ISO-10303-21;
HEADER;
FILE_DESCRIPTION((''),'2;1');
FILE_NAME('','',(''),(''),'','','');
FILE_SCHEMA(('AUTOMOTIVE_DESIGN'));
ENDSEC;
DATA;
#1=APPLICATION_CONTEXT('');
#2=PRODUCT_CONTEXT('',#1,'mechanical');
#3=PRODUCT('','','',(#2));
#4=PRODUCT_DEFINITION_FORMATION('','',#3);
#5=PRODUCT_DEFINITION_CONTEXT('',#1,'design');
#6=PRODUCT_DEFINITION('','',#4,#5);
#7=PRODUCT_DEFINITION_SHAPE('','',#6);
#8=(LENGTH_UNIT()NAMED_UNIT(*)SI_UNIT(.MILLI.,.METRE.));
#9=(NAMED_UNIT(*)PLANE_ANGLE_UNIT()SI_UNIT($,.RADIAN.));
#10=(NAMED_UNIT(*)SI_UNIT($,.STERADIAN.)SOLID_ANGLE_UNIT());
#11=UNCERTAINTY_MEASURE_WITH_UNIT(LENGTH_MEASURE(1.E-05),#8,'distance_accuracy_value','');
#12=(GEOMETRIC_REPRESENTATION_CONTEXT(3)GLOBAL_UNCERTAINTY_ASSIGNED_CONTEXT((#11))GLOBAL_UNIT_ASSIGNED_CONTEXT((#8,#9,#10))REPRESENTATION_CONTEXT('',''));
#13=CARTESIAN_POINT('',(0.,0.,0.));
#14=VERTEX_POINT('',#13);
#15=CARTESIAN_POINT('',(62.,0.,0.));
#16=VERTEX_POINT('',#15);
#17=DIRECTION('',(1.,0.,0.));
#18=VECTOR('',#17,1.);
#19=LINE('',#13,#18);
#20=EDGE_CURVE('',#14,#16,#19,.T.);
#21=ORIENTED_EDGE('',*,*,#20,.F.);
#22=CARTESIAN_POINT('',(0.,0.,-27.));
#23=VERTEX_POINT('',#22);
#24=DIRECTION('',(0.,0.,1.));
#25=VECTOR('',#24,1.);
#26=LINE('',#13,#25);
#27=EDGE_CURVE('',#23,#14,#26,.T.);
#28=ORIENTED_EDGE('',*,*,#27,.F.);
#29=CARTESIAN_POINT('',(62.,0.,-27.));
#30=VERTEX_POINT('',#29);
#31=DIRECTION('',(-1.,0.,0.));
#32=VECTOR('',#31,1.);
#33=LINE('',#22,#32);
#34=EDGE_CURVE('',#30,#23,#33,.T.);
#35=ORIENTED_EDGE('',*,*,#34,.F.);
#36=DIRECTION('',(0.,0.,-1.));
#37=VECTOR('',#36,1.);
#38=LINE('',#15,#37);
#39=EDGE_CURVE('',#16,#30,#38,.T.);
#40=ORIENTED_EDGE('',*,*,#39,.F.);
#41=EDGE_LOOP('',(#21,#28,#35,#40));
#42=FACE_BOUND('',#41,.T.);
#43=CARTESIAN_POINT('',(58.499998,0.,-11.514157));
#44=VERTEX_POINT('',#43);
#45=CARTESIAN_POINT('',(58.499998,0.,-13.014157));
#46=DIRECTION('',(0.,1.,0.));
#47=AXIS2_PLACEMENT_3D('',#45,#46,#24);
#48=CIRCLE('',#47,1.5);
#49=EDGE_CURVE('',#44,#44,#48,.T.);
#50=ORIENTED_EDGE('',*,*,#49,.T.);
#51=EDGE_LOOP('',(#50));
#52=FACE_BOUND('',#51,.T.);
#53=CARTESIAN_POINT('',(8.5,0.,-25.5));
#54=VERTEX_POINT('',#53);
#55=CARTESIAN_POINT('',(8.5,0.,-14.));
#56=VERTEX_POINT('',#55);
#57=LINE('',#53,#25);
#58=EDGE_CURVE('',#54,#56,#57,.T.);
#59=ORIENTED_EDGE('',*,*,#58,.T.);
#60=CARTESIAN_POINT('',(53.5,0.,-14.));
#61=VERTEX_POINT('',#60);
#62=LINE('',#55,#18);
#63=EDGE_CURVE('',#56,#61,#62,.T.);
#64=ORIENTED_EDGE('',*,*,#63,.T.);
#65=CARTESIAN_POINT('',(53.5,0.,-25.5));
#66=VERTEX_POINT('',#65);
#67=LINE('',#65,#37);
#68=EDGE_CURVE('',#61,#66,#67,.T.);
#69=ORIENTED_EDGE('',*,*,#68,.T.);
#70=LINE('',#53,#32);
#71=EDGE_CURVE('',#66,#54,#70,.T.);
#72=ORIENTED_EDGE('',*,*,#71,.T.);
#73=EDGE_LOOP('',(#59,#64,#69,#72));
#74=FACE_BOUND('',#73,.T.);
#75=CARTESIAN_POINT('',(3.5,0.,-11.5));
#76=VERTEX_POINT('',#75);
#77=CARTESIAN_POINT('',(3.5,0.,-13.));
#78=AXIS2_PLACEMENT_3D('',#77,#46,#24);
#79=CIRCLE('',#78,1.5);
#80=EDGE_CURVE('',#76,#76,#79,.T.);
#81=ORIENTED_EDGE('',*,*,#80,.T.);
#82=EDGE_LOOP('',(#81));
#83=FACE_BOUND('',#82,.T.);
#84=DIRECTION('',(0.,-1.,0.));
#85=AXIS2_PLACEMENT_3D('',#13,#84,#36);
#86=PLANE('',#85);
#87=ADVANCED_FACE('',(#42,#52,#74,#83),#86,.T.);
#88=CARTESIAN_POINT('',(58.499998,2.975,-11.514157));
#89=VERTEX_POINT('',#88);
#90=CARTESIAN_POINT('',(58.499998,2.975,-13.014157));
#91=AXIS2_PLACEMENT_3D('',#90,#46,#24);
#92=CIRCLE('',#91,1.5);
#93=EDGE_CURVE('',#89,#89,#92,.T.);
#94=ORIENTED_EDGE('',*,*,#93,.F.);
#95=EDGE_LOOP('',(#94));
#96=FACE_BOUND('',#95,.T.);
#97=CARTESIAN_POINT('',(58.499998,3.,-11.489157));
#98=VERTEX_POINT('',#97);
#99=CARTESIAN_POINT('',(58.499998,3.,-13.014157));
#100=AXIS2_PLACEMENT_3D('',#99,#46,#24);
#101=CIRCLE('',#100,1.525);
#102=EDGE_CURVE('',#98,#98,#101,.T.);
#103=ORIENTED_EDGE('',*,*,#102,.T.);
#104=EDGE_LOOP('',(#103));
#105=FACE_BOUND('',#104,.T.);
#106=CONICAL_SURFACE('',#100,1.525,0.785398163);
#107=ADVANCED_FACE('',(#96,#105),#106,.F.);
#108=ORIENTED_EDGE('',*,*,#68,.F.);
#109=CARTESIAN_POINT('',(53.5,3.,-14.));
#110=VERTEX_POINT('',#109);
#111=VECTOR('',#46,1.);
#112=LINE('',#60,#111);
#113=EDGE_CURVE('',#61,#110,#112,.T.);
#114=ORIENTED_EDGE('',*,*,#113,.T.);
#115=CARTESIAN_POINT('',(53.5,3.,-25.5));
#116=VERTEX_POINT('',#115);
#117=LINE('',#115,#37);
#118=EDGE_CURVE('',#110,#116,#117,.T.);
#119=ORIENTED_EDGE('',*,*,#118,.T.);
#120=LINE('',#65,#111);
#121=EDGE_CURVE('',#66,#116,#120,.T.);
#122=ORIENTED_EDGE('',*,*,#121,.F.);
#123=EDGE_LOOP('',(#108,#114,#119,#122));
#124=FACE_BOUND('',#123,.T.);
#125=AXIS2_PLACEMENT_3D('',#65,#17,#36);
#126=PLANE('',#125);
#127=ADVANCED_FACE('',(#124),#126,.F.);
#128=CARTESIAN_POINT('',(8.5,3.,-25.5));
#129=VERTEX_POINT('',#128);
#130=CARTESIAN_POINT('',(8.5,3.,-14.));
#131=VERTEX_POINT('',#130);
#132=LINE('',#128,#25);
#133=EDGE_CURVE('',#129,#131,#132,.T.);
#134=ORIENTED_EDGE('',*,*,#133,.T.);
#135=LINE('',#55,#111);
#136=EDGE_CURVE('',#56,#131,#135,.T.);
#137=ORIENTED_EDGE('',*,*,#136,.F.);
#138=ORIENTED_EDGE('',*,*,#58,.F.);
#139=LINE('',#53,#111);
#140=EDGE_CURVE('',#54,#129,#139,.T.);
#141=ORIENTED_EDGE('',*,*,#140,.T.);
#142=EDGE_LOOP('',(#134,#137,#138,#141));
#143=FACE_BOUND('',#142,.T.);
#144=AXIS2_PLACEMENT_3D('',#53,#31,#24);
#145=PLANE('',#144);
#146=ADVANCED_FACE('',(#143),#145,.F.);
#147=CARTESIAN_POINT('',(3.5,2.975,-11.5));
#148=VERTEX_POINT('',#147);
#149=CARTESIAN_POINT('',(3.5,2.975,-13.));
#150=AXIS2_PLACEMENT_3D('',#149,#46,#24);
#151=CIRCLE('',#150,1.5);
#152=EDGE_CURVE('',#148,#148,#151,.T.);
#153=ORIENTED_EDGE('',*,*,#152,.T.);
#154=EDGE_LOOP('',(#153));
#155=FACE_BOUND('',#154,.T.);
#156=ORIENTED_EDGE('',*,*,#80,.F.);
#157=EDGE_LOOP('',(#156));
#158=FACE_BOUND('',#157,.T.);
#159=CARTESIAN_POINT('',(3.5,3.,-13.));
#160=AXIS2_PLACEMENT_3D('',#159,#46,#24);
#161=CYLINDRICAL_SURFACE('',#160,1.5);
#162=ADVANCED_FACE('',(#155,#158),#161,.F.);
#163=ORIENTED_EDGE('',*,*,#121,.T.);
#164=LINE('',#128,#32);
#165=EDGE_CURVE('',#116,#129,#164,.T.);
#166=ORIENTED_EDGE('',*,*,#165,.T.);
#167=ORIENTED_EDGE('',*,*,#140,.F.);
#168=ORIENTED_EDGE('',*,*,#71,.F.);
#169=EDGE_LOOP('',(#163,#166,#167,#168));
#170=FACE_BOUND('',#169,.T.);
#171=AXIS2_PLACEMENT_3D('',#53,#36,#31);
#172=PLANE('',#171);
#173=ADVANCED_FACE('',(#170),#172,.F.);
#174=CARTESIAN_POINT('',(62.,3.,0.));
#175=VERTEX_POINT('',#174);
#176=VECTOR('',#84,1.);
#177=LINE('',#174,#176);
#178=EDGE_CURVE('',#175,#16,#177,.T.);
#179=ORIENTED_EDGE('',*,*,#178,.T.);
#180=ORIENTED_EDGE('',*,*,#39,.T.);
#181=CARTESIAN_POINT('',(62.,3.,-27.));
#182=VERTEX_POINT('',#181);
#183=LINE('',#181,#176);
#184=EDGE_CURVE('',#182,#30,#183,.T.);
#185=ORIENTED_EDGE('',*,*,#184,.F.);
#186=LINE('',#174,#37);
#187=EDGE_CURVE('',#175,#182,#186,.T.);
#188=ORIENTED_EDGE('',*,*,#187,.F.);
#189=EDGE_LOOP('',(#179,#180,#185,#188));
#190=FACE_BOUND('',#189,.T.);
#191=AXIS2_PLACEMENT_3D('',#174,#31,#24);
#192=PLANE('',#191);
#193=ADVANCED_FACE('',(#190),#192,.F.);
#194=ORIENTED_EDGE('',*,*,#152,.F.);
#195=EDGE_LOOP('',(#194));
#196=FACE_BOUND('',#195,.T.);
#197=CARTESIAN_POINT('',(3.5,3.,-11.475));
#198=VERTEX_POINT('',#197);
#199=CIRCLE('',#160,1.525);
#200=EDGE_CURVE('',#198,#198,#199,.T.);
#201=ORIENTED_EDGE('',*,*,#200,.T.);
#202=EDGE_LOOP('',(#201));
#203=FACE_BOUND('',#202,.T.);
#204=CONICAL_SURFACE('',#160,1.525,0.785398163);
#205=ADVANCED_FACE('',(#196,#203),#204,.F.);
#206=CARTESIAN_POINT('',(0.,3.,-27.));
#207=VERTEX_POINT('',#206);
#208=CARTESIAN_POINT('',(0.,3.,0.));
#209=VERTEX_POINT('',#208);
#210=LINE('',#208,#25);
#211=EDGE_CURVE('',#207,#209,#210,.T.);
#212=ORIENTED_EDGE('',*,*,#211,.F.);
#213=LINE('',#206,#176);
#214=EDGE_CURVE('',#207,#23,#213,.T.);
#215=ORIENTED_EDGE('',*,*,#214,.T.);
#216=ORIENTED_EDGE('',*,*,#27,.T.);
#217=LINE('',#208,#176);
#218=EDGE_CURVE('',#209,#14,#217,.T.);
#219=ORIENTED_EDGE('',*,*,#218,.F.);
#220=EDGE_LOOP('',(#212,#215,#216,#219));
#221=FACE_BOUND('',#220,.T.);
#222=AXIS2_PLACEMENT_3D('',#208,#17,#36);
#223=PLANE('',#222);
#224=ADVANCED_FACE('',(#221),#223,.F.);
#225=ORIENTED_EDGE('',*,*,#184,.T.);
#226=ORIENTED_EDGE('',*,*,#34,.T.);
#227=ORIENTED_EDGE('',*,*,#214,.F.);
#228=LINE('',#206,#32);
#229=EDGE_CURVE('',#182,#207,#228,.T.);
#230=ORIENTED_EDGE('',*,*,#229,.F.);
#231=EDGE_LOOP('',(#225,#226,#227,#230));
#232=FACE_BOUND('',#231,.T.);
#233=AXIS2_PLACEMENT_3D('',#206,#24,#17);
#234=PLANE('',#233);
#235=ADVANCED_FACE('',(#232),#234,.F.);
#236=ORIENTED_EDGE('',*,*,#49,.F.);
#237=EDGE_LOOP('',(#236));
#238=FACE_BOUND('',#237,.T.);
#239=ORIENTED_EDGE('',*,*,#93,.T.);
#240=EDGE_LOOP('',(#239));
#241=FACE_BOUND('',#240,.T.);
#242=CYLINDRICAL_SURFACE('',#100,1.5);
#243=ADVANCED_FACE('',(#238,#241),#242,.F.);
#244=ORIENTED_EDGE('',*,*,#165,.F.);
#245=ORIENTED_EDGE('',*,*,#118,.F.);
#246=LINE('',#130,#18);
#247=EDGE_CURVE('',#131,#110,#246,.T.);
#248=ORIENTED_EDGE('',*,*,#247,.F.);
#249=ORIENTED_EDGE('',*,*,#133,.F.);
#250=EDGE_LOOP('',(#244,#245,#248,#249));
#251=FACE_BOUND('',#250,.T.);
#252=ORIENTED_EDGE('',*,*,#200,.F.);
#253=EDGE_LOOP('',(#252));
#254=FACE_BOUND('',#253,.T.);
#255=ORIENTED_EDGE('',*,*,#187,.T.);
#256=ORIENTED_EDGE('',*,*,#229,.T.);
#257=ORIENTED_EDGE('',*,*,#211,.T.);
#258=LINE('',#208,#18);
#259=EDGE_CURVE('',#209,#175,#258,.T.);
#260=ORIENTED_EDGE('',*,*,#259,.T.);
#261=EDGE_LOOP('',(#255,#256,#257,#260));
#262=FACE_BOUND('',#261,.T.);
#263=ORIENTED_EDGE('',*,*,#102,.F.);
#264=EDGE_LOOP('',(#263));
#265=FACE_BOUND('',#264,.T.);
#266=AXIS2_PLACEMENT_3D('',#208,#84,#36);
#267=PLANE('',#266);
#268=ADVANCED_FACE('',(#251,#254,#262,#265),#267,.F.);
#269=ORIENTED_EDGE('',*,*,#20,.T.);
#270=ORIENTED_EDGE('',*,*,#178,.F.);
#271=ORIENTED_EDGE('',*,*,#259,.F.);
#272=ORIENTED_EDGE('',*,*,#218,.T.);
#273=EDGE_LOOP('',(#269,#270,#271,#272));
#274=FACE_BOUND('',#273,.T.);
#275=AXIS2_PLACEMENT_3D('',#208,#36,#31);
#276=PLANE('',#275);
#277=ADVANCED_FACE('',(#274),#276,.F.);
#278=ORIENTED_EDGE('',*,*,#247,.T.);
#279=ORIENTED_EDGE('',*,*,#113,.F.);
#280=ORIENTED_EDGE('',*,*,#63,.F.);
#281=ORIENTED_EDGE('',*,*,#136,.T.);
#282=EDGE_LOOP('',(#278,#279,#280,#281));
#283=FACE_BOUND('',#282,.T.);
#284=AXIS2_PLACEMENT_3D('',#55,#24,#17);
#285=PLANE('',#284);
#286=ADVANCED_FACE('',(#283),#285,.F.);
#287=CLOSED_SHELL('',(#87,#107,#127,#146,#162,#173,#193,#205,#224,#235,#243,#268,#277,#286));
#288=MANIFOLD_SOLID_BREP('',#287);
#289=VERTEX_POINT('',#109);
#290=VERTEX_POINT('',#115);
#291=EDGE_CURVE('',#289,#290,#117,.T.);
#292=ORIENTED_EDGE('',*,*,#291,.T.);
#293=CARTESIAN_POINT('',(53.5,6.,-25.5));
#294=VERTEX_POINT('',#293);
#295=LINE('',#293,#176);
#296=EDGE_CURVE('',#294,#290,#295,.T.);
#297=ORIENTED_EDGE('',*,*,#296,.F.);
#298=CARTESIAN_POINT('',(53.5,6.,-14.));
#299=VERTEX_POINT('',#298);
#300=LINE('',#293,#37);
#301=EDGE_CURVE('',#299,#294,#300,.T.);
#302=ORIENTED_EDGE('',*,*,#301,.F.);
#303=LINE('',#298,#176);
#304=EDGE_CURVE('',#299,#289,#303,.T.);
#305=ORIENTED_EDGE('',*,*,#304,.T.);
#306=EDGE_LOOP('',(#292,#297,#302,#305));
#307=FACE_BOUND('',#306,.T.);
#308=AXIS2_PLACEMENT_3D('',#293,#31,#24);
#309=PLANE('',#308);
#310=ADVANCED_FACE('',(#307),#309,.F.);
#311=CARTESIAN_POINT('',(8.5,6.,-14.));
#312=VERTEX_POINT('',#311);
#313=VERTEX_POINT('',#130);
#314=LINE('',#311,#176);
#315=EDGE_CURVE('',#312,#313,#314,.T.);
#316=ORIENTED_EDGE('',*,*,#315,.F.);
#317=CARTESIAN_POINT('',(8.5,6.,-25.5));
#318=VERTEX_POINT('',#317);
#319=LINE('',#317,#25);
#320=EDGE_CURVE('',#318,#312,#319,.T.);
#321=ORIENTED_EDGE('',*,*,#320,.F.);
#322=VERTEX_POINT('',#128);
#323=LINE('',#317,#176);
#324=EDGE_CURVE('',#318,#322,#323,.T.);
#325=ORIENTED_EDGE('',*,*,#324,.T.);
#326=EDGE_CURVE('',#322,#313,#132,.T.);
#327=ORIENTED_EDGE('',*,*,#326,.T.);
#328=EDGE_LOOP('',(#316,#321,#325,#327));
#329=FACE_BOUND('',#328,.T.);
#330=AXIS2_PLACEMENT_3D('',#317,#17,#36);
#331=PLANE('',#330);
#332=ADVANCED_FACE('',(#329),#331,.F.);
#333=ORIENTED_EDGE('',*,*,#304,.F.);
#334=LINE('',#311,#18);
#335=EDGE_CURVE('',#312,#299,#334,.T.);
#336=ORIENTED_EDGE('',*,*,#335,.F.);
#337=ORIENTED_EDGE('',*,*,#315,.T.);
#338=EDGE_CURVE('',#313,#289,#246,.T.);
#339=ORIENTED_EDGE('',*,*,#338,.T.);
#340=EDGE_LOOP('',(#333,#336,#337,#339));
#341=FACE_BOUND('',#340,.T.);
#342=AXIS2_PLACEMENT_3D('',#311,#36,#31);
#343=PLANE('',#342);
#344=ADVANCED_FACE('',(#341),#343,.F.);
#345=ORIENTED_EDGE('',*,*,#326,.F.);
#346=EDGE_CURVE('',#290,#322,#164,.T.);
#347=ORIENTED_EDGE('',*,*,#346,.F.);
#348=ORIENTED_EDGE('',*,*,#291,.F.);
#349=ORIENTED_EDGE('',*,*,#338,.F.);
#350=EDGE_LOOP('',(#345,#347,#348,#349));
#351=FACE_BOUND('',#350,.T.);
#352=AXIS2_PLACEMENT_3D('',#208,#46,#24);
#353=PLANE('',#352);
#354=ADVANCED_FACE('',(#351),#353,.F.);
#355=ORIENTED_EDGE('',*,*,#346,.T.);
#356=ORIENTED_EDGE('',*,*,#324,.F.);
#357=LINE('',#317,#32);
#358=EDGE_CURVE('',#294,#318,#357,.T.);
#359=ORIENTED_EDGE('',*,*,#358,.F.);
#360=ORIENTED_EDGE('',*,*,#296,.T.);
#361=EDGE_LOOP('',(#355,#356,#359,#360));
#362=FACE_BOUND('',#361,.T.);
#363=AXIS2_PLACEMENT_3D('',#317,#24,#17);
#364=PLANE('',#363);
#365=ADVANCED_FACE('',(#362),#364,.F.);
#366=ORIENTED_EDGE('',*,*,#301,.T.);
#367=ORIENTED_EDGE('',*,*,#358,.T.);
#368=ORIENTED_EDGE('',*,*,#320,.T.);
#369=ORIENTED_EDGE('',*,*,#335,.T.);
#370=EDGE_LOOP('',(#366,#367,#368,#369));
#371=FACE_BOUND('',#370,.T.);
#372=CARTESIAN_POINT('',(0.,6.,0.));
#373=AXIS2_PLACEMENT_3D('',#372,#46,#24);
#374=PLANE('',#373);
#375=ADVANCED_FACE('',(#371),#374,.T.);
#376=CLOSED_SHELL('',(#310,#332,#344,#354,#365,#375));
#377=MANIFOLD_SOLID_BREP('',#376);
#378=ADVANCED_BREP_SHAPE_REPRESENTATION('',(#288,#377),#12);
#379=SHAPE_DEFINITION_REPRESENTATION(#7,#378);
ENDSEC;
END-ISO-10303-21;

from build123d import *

# Parameters (mm, degrees)
SKETCH1_W                       = 62
SKETCH1_H                       = 27
BOSS_EXTRUDE1_DEPTH             = 3
F_3_0MM_DOWEL_HOLE1_D           = 3
F_3_0MM_DOWEL_HOLE1_CSINK_D     = 3.05
F_3_0MM_DOWEL_HOLE1_CSINK_ANGLE = 90
SKETCH5_W                       = 45
SKETCH5_H                       = 11.5
CUT_EXTRUDE1_DEPTH              = 68.690472003
SKETCH6_W                       = 45
SKETCH6_H                       = 11.5
BOSS_EXTRUDE2_DEPTH             = 3


with BuildPart() as part:
    # Sketch1 → Boss-Extrude1 (new body)
    with BuildSketch(Plane(origin=(0, 0, 0), x_dir=(1, 0, 0), z_dir=(0, 1, 0))):
        with Locations((31, 13.5)):
            Rectangle(SKETCH1_W, SKETCH1_H)
    extrude(amount=BOSS_EXTRUDE1_DEPTH)

    # Ø3.0mm Dowel Hole1 (through all)
    with Locations(Plane(origin=(0, 3, 0), x_dir=(1, 0, 0), z_dir=(0, 1, 0))):
        with Locations((3.5, 13), (58.499998178, 13.014156566)):
            CounterSinkHole(F_3_0MM_DOWEL_HOLE1_D / 2, F_3_0MM_DOWEL_HOLE1_CSINK_D / 2, counter_sink_angle=F_3_0MM_DOWEL_HOLE1_CSINK_ANGLE)

    # Sketch5 → Cut-Extrude1 (cut, through all)
    with BuildSketch(Plane(origin=(0, 3, 0), x_dir=(1, 0, 0), z_dir=(0, 1, 0))):
        with Locations((31, 19.75)):
            Rectangle(SKETCH5_W, SKETCH5_H)
    extrude(amount=-CUT_EXTRUDE1_DEPTH, mode=Mode.SUBTRACT)


with BuildPart() as body_2:
    # Sketch6 → Boss-Extrude2 (new body)
    with BuildSketch(Plane(origin=(0, 3, 0), x_dir=(1, 0, 0), z_dir=(0, 1, 0))):
        with Locations((31, 19.75)):
            Rectangle(SKETCH6_W, SKETCH6_H)
    extrude(amount=BOSS_EXTRUDE2_DEPTH)


solid = Compound([part.part, body_2.part])
